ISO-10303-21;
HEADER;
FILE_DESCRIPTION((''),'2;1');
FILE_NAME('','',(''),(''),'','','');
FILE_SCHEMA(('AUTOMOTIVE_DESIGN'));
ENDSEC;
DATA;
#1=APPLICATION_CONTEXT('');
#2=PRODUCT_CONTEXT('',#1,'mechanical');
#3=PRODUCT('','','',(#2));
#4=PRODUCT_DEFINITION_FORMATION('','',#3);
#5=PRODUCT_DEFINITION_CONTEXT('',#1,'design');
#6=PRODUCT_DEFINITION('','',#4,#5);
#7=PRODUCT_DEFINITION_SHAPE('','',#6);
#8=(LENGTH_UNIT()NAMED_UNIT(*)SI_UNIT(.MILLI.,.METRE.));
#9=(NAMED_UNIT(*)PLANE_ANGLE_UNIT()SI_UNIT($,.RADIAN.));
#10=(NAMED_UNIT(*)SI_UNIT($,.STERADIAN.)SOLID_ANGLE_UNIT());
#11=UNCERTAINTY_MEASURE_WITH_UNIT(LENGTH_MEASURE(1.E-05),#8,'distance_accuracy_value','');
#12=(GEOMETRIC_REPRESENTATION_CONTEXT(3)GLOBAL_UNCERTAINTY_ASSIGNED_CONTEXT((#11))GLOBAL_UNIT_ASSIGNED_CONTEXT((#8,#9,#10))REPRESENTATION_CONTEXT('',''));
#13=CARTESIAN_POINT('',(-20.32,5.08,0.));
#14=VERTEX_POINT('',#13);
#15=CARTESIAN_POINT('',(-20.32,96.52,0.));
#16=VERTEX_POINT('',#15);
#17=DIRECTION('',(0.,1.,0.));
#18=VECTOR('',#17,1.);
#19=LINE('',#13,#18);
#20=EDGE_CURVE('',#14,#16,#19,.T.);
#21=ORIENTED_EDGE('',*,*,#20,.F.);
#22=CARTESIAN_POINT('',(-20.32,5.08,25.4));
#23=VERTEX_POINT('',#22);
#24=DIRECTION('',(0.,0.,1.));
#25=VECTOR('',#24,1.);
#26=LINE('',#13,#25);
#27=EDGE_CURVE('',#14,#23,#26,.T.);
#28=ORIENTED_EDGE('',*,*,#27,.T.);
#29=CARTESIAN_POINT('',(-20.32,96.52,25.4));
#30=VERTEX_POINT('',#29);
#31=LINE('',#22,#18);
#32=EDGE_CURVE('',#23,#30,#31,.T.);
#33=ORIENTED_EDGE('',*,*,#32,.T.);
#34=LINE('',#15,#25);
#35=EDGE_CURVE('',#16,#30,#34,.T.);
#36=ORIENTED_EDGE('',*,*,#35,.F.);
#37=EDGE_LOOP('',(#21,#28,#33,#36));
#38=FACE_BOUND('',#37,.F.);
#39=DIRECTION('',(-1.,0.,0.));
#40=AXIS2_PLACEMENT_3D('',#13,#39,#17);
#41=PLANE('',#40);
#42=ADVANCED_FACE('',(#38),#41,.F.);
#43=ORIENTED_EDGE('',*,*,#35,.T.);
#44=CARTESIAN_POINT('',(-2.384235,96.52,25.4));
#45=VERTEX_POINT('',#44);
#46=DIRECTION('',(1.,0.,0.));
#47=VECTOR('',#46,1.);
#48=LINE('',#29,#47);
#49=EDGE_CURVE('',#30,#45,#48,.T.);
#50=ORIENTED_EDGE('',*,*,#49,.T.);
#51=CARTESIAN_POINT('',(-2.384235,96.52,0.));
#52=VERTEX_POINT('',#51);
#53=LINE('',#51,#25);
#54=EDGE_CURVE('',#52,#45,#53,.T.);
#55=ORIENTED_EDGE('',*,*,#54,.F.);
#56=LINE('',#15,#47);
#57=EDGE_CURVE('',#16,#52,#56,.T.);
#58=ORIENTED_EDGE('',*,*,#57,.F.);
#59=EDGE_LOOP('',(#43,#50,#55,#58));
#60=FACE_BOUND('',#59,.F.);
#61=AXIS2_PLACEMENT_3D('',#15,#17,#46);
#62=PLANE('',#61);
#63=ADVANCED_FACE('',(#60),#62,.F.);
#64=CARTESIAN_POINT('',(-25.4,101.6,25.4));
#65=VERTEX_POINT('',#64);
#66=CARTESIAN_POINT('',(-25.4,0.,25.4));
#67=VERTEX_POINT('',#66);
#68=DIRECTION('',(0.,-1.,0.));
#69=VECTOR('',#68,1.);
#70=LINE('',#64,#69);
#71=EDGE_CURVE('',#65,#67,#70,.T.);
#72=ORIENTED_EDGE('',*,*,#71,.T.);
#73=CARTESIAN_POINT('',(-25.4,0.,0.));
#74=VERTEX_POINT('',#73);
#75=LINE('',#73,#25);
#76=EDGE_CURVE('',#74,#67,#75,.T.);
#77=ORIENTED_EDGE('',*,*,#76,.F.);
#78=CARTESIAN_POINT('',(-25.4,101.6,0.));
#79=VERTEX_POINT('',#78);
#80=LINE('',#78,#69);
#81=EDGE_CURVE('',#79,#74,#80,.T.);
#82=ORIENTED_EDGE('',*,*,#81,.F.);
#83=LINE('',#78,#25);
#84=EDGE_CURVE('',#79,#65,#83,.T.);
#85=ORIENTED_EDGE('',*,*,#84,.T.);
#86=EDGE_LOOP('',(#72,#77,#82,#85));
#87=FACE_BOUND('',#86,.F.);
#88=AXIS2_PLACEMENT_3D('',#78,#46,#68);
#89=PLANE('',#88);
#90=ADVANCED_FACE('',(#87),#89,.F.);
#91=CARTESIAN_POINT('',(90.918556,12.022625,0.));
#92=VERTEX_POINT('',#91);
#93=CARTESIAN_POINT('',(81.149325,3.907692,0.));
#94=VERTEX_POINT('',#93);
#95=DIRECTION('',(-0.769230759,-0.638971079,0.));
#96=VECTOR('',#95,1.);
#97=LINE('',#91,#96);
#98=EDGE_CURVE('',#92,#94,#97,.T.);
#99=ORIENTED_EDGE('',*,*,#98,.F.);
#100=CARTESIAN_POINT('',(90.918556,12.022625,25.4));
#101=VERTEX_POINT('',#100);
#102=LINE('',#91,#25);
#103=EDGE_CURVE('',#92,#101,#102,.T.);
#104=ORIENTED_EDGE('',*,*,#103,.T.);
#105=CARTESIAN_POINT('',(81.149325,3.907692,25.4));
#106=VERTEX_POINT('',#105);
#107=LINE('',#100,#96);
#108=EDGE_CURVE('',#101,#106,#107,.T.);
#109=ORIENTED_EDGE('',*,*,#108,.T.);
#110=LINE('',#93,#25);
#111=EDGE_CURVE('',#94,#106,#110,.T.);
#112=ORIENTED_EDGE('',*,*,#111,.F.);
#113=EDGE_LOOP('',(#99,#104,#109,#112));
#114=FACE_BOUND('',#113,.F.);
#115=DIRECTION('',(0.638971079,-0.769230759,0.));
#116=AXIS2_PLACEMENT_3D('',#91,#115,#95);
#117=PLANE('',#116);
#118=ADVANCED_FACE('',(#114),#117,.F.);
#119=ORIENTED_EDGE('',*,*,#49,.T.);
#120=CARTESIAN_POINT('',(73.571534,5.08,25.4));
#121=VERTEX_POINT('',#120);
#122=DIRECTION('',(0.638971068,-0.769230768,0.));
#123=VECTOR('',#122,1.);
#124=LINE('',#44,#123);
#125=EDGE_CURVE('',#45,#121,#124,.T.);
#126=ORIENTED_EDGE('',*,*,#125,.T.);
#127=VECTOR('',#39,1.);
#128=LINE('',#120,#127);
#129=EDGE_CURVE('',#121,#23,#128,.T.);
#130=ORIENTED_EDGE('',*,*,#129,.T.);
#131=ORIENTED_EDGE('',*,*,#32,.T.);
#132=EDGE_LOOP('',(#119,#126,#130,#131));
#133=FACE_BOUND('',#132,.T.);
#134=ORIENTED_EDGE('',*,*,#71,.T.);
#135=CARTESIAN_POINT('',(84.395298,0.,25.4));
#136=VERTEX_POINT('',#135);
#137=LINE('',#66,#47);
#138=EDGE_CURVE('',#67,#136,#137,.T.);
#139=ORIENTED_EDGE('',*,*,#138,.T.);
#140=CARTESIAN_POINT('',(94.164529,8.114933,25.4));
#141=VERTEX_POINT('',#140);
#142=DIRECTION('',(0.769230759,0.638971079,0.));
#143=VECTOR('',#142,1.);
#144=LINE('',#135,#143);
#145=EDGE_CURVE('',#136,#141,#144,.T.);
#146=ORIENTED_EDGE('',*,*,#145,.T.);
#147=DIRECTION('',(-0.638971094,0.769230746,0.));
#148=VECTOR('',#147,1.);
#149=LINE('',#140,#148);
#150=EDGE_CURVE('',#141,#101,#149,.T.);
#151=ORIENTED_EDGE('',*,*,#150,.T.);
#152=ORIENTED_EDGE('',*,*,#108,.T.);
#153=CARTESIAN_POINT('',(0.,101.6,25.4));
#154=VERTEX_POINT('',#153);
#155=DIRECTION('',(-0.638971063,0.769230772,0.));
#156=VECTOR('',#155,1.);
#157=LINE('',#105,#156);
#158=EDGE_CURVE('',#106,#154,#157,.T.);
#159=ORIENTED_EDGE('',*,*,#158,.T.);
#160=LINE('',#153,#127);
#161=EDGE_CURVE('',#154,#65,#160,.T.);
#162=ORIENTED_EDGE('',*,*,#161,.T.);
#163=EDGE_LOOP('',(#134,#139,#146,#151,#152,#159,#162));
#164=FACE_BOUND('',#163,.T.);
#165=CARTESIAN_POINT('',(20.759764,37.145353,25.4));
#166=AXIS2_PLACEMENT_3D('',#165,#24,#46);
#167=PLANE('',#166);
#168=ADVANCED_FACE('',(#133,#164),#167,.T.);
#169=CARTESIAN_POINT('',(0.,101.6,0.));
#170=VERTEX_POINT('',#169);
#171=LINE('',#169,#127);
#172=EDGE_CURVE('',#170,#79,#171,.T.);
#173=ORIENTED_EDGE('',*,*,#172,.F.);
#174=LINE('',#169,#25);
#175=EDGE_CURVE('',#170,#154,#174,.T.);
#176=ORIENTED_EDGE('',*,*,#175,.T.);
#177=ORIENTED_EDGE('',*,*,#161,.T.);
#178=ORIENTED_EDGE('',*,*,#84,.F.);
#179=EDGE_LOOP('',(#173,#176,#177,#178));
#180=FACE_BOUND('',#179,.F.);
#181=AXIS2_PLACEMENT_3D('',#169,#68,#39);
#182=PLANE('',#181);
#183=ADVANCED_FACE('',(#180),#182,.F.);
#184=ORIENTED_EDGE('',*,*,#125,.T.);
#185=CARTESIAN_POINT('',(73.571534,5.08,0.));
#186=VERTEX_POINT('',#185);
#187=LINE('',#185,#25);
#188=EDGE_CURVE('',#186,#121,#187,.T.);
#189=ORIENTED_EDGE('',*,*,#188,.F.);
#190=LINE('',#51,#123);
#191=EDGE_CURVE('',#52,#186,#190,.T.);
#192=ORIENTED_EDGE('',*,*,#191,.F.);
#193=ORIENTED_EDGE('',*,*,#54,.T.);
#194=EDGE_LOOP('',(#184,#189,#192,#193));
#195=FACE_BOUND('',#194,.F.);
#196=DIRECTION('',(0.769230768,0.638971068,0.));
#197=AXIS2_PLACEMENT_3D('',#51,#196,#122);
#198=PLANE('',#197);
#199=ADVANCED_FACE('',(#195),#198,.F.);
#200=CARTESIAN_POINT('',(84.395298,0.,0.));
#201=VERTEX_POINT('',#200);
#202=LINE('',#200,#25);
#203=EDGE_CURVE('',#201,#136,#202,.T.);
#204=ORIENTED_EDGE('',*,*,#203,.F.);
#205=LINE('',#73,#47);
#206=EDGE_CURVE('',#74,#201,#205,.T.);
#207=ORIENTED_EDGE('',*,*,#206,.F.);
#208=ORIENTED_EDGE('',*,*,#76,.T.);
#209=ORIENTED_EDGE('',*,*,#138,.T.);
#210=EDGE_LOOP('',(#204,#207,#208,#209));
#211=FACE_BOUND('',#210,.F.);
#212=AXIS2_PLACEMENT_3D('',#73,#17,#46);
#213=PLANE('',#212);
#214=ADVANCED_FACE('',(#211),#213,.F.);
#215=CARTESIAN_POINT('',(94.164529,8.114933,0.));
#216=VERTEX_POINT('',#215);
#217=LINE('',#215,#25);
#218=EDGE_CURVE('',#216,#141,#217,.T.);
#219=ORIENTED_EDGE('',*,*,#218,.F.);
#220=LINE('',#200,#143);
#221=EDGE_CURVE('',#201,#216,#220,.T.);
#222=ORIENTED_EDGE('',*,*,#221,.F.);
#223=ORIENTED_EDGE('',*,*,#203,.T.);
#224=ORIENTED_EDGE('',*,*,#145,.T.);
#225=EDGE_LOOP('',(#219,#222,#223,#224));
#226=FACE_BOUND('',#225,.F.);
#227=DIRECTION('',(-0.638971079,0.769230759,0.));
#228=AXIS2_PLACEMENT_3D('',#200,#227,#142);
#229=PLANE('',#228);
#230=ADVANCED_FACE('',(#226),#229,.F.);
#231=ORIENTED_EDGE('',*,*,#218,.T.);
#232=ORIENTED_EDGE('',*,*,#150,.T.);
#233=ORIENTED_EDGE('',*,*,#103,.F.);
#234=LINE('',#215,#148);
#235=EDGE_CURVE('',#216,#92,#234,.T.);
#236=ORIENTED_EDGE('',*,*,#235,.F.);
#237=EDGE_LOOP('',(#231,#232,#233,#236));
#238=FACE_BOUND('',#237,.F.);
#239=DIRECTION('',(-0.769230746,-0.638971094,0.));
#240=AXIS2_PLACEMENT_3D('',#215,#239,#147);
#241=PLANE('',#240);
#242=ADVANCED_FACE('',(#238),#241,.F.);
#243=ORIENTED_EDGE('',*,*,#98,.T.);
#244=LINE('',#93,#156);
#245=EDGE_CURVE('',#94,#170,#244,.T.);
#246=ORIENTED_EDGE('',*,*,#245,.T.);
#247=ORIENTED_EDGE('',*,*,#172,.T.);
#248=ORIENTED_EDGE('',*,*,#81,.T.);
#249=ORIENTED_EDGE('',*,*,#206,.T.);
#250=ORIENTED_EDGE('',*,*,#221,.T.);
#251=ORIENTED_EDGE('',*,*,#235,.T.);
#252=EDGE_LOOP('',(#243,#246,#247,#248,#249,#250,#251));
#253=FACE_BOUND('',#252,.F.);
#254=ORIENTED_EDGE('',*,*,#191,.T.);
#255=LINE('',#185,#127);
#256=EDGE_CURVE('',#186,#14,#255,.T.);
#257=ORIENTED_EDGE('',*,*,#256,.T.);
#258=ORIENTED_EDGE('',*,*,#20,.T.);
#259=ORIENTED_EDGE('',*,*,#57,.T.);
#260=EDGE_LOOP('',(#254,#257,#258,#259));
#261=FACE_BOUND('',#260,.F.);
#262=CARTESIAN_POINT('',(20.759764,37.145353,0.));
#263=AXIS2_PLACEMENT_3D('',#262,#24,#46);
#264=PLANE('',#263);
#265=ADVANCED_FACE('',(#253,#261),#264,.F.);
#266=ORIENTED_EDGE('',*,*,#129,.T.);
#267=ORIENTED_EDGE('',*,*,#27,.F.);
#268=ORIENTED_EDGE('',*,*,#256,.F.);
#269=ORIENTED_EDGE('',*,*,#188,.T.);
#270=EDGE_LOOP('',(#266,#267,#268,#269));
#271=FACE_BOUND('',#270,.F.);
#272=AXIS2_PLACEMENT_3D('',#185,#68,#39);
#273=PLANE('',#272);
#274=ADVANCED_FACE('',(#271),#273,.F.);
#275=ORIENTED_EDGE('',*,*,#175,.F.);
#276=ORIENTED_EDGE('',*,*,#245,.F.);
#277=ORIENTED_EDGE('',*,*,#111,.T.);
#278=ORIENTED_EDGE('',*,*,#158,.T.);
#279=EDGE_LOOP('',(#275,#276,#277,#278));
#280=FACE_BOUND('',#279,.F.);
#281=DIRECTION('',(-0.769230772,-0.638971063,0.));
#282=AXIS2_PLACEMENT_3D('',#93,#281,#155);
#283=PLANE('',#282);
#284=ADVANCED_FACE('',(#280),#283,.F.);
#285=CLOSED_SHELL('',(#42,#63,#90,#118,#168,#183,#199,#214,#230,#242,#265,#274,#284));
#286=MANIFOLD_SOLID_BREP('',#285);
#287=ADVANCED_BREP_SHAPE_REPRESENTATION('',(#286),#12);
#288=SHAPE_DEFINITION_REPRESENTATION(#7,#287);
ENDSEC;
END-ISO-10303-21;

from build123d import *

# Parameters (mm, degrees)
F1_DEPTH = 25.4


with BuildPart() as f1:
    # F0 (on Top) → F1 (new body)
    with BuildSketch(Plane.XY):
        Polygon((-25.4, 0), (0, 0), (84.395298, 0), (94.164529, 8.114933), (90.918556, 12.022625), (81.149325, 3.907692), (0, 101.6), (-25.4, 101.6), align=None)
        Polygon((-20.32, 96.52), (-2.384235, 96.52), (73.571534, 5.08), (0, 5.08), (-20.32, 5.08), align=None, mode=Mode.SUBTRACT)
    extrude(amount=F1_DEPTH)


solid = f1.part
